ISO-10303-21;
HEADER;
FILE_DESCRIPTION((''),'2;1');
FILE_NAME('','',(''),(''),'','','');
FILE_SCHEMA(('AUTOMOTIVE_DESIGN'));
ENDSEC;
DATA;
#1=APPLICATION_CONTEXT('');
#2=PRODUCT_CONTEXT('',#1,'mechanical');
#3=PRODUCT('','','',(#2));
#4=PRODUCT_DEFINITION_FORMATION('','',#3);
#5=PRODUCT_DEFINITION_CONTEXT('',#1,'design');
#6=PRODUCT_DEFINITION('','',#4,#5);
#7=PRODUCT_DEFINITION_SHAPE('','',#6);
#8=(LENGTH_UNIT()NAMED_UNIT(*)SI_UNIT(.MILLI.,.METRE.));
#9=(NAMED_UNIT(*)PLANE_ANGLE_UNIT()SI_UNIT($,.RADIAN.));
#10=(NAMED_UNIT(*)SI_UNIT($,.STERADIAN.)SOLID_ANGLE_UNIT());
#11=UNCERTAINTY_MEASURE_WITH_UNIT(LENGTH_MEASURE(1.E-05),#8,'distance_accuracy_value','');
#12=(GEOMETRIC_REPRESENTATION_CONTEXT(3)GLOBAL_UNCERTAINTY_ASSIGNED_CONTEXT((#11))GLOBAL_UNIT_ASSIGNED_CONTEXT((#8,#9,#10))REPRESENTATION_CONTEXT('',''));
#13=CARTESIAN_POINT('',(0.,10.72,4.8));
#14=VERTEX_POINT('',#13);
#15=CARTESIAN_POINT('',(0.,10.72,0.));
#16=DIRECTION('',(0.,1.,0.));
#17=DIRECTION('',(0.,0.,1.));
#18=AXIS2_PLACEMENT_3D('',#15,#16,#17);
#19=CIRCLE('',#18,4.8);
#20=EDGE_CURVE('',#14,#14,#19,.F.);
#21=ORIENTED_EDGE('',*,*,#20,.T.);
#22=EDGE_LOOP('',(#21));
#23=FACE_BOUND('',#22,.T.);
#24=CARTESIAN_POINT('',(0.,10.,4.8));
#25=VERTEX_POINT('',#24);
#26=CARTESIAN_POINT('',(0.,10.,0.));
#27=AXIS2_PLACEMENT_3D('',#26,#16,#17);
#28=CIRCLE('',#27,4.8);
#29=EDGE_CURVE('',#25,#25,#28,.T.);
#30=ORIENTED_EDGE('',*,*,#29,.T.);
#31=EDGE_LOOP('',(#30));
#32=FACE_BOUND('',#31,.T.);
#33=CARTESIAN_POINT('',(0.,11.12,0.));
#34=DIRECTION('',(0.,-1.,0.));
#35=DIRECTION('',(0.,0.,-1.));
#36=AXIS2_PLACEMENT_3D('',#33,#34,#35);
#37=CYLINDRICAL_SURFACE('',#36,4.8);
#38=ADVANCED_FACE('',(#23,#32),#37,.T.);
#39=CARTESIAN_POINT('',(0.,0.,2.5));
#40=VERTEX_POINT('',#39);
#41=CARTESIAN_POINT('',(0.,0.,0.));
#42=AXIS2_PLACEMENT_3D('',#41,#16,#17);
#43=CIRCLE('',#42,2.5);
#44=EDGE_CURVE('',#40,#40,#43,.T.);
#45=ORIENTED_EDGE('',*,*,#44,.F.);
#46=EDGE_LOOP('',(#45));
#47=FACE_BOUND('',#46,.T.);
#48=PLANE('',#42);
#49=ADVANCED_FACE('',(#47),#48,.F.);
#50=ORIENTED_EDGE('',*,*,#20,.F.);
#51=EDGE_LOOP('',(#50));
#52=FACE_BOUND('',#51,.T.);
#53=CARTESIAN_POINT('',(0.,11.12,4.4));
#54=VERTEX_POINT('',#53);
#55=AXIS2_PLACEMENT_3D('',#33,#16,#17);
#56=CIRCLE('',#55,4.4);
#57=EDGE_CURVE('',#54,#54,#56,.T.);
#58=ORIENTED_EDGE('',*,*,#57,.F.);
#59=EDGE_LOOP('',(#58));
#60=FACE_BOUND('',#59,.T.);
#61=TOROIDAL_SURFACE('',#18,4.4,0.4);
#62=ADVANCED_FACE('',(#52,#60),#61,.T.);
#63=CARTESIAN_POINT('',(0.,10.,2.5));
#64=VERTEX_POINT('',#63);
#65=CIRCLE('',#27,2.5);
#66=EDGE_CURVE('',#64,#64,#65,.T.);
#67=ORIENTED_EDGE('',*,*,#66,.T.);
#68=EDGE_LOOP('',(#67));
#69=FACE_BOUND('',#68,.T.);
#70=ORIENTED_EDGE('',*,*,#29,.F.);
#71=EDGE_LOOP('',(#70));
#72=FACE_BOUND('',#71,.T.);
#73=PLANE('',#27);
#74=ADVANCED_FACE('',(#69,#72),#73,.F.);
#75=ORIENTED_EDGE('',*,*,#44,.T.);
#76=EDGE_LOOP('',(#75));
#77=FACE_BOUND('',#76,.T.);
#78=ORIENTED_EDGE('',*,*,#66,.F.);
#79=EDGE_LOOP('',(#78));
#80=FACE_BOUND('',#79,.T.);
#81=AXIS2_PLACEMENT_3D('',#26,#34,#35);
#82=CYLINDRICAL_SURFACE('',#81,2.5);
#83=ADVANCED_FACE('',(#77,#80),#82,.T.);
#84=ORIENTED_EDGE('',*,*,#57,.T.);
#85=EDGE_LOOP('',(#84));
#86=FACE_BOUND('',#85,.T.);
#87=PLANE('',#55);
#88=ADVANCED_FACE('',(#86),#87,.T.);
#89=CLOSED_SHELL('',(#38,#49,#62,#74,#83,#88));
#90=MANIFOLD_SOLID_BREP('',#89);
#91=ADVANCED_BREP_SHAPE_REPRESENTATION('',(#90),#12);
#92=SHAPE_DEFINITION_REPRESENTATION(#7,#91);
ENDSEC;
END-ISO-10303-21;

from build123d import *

# Parameters (mm, degrees)
SKETCH1_R           = 2.5
BOSS_EXTRUDE1_DEPTH = 10
SKETCH2_R           = 4.8
BOSS_EXTRUDE2_DEPTH = 1.12
FILLET2_R           = 0.4


with BuildPart() as part:
    # Sketch1 → Boss-Extrude1 (new body)
    with BuildSketch(Plane(origin=(0, 0, 0), x_dir=(1, 0, 0), z_dir=(0, 1, 0))):
        Circle(SKETCH1_R)
    extrude(amount=BOSS_EXTRUDE1_DEPTH)

    # Sketch2 → Boss-Extrude2 (add)
    with BuildSketch(Plane(origin=(0, 10, 0), x_dir=(1, 0, 0), z_dir=(0, 1, 0))):
        Circle(SKETCH2_R)
    extrude(amount=BOSS_EXTRUDE2_DEPTH)

    # Fillet2
    fillet2_edges = [part.edges().sort_by_distance(p)[0] for p in [
        (-4.8, 11.12, 0),
    ]]
    fillet(fillet2_edges, radius=FILLET2_R)


solid = part.part
